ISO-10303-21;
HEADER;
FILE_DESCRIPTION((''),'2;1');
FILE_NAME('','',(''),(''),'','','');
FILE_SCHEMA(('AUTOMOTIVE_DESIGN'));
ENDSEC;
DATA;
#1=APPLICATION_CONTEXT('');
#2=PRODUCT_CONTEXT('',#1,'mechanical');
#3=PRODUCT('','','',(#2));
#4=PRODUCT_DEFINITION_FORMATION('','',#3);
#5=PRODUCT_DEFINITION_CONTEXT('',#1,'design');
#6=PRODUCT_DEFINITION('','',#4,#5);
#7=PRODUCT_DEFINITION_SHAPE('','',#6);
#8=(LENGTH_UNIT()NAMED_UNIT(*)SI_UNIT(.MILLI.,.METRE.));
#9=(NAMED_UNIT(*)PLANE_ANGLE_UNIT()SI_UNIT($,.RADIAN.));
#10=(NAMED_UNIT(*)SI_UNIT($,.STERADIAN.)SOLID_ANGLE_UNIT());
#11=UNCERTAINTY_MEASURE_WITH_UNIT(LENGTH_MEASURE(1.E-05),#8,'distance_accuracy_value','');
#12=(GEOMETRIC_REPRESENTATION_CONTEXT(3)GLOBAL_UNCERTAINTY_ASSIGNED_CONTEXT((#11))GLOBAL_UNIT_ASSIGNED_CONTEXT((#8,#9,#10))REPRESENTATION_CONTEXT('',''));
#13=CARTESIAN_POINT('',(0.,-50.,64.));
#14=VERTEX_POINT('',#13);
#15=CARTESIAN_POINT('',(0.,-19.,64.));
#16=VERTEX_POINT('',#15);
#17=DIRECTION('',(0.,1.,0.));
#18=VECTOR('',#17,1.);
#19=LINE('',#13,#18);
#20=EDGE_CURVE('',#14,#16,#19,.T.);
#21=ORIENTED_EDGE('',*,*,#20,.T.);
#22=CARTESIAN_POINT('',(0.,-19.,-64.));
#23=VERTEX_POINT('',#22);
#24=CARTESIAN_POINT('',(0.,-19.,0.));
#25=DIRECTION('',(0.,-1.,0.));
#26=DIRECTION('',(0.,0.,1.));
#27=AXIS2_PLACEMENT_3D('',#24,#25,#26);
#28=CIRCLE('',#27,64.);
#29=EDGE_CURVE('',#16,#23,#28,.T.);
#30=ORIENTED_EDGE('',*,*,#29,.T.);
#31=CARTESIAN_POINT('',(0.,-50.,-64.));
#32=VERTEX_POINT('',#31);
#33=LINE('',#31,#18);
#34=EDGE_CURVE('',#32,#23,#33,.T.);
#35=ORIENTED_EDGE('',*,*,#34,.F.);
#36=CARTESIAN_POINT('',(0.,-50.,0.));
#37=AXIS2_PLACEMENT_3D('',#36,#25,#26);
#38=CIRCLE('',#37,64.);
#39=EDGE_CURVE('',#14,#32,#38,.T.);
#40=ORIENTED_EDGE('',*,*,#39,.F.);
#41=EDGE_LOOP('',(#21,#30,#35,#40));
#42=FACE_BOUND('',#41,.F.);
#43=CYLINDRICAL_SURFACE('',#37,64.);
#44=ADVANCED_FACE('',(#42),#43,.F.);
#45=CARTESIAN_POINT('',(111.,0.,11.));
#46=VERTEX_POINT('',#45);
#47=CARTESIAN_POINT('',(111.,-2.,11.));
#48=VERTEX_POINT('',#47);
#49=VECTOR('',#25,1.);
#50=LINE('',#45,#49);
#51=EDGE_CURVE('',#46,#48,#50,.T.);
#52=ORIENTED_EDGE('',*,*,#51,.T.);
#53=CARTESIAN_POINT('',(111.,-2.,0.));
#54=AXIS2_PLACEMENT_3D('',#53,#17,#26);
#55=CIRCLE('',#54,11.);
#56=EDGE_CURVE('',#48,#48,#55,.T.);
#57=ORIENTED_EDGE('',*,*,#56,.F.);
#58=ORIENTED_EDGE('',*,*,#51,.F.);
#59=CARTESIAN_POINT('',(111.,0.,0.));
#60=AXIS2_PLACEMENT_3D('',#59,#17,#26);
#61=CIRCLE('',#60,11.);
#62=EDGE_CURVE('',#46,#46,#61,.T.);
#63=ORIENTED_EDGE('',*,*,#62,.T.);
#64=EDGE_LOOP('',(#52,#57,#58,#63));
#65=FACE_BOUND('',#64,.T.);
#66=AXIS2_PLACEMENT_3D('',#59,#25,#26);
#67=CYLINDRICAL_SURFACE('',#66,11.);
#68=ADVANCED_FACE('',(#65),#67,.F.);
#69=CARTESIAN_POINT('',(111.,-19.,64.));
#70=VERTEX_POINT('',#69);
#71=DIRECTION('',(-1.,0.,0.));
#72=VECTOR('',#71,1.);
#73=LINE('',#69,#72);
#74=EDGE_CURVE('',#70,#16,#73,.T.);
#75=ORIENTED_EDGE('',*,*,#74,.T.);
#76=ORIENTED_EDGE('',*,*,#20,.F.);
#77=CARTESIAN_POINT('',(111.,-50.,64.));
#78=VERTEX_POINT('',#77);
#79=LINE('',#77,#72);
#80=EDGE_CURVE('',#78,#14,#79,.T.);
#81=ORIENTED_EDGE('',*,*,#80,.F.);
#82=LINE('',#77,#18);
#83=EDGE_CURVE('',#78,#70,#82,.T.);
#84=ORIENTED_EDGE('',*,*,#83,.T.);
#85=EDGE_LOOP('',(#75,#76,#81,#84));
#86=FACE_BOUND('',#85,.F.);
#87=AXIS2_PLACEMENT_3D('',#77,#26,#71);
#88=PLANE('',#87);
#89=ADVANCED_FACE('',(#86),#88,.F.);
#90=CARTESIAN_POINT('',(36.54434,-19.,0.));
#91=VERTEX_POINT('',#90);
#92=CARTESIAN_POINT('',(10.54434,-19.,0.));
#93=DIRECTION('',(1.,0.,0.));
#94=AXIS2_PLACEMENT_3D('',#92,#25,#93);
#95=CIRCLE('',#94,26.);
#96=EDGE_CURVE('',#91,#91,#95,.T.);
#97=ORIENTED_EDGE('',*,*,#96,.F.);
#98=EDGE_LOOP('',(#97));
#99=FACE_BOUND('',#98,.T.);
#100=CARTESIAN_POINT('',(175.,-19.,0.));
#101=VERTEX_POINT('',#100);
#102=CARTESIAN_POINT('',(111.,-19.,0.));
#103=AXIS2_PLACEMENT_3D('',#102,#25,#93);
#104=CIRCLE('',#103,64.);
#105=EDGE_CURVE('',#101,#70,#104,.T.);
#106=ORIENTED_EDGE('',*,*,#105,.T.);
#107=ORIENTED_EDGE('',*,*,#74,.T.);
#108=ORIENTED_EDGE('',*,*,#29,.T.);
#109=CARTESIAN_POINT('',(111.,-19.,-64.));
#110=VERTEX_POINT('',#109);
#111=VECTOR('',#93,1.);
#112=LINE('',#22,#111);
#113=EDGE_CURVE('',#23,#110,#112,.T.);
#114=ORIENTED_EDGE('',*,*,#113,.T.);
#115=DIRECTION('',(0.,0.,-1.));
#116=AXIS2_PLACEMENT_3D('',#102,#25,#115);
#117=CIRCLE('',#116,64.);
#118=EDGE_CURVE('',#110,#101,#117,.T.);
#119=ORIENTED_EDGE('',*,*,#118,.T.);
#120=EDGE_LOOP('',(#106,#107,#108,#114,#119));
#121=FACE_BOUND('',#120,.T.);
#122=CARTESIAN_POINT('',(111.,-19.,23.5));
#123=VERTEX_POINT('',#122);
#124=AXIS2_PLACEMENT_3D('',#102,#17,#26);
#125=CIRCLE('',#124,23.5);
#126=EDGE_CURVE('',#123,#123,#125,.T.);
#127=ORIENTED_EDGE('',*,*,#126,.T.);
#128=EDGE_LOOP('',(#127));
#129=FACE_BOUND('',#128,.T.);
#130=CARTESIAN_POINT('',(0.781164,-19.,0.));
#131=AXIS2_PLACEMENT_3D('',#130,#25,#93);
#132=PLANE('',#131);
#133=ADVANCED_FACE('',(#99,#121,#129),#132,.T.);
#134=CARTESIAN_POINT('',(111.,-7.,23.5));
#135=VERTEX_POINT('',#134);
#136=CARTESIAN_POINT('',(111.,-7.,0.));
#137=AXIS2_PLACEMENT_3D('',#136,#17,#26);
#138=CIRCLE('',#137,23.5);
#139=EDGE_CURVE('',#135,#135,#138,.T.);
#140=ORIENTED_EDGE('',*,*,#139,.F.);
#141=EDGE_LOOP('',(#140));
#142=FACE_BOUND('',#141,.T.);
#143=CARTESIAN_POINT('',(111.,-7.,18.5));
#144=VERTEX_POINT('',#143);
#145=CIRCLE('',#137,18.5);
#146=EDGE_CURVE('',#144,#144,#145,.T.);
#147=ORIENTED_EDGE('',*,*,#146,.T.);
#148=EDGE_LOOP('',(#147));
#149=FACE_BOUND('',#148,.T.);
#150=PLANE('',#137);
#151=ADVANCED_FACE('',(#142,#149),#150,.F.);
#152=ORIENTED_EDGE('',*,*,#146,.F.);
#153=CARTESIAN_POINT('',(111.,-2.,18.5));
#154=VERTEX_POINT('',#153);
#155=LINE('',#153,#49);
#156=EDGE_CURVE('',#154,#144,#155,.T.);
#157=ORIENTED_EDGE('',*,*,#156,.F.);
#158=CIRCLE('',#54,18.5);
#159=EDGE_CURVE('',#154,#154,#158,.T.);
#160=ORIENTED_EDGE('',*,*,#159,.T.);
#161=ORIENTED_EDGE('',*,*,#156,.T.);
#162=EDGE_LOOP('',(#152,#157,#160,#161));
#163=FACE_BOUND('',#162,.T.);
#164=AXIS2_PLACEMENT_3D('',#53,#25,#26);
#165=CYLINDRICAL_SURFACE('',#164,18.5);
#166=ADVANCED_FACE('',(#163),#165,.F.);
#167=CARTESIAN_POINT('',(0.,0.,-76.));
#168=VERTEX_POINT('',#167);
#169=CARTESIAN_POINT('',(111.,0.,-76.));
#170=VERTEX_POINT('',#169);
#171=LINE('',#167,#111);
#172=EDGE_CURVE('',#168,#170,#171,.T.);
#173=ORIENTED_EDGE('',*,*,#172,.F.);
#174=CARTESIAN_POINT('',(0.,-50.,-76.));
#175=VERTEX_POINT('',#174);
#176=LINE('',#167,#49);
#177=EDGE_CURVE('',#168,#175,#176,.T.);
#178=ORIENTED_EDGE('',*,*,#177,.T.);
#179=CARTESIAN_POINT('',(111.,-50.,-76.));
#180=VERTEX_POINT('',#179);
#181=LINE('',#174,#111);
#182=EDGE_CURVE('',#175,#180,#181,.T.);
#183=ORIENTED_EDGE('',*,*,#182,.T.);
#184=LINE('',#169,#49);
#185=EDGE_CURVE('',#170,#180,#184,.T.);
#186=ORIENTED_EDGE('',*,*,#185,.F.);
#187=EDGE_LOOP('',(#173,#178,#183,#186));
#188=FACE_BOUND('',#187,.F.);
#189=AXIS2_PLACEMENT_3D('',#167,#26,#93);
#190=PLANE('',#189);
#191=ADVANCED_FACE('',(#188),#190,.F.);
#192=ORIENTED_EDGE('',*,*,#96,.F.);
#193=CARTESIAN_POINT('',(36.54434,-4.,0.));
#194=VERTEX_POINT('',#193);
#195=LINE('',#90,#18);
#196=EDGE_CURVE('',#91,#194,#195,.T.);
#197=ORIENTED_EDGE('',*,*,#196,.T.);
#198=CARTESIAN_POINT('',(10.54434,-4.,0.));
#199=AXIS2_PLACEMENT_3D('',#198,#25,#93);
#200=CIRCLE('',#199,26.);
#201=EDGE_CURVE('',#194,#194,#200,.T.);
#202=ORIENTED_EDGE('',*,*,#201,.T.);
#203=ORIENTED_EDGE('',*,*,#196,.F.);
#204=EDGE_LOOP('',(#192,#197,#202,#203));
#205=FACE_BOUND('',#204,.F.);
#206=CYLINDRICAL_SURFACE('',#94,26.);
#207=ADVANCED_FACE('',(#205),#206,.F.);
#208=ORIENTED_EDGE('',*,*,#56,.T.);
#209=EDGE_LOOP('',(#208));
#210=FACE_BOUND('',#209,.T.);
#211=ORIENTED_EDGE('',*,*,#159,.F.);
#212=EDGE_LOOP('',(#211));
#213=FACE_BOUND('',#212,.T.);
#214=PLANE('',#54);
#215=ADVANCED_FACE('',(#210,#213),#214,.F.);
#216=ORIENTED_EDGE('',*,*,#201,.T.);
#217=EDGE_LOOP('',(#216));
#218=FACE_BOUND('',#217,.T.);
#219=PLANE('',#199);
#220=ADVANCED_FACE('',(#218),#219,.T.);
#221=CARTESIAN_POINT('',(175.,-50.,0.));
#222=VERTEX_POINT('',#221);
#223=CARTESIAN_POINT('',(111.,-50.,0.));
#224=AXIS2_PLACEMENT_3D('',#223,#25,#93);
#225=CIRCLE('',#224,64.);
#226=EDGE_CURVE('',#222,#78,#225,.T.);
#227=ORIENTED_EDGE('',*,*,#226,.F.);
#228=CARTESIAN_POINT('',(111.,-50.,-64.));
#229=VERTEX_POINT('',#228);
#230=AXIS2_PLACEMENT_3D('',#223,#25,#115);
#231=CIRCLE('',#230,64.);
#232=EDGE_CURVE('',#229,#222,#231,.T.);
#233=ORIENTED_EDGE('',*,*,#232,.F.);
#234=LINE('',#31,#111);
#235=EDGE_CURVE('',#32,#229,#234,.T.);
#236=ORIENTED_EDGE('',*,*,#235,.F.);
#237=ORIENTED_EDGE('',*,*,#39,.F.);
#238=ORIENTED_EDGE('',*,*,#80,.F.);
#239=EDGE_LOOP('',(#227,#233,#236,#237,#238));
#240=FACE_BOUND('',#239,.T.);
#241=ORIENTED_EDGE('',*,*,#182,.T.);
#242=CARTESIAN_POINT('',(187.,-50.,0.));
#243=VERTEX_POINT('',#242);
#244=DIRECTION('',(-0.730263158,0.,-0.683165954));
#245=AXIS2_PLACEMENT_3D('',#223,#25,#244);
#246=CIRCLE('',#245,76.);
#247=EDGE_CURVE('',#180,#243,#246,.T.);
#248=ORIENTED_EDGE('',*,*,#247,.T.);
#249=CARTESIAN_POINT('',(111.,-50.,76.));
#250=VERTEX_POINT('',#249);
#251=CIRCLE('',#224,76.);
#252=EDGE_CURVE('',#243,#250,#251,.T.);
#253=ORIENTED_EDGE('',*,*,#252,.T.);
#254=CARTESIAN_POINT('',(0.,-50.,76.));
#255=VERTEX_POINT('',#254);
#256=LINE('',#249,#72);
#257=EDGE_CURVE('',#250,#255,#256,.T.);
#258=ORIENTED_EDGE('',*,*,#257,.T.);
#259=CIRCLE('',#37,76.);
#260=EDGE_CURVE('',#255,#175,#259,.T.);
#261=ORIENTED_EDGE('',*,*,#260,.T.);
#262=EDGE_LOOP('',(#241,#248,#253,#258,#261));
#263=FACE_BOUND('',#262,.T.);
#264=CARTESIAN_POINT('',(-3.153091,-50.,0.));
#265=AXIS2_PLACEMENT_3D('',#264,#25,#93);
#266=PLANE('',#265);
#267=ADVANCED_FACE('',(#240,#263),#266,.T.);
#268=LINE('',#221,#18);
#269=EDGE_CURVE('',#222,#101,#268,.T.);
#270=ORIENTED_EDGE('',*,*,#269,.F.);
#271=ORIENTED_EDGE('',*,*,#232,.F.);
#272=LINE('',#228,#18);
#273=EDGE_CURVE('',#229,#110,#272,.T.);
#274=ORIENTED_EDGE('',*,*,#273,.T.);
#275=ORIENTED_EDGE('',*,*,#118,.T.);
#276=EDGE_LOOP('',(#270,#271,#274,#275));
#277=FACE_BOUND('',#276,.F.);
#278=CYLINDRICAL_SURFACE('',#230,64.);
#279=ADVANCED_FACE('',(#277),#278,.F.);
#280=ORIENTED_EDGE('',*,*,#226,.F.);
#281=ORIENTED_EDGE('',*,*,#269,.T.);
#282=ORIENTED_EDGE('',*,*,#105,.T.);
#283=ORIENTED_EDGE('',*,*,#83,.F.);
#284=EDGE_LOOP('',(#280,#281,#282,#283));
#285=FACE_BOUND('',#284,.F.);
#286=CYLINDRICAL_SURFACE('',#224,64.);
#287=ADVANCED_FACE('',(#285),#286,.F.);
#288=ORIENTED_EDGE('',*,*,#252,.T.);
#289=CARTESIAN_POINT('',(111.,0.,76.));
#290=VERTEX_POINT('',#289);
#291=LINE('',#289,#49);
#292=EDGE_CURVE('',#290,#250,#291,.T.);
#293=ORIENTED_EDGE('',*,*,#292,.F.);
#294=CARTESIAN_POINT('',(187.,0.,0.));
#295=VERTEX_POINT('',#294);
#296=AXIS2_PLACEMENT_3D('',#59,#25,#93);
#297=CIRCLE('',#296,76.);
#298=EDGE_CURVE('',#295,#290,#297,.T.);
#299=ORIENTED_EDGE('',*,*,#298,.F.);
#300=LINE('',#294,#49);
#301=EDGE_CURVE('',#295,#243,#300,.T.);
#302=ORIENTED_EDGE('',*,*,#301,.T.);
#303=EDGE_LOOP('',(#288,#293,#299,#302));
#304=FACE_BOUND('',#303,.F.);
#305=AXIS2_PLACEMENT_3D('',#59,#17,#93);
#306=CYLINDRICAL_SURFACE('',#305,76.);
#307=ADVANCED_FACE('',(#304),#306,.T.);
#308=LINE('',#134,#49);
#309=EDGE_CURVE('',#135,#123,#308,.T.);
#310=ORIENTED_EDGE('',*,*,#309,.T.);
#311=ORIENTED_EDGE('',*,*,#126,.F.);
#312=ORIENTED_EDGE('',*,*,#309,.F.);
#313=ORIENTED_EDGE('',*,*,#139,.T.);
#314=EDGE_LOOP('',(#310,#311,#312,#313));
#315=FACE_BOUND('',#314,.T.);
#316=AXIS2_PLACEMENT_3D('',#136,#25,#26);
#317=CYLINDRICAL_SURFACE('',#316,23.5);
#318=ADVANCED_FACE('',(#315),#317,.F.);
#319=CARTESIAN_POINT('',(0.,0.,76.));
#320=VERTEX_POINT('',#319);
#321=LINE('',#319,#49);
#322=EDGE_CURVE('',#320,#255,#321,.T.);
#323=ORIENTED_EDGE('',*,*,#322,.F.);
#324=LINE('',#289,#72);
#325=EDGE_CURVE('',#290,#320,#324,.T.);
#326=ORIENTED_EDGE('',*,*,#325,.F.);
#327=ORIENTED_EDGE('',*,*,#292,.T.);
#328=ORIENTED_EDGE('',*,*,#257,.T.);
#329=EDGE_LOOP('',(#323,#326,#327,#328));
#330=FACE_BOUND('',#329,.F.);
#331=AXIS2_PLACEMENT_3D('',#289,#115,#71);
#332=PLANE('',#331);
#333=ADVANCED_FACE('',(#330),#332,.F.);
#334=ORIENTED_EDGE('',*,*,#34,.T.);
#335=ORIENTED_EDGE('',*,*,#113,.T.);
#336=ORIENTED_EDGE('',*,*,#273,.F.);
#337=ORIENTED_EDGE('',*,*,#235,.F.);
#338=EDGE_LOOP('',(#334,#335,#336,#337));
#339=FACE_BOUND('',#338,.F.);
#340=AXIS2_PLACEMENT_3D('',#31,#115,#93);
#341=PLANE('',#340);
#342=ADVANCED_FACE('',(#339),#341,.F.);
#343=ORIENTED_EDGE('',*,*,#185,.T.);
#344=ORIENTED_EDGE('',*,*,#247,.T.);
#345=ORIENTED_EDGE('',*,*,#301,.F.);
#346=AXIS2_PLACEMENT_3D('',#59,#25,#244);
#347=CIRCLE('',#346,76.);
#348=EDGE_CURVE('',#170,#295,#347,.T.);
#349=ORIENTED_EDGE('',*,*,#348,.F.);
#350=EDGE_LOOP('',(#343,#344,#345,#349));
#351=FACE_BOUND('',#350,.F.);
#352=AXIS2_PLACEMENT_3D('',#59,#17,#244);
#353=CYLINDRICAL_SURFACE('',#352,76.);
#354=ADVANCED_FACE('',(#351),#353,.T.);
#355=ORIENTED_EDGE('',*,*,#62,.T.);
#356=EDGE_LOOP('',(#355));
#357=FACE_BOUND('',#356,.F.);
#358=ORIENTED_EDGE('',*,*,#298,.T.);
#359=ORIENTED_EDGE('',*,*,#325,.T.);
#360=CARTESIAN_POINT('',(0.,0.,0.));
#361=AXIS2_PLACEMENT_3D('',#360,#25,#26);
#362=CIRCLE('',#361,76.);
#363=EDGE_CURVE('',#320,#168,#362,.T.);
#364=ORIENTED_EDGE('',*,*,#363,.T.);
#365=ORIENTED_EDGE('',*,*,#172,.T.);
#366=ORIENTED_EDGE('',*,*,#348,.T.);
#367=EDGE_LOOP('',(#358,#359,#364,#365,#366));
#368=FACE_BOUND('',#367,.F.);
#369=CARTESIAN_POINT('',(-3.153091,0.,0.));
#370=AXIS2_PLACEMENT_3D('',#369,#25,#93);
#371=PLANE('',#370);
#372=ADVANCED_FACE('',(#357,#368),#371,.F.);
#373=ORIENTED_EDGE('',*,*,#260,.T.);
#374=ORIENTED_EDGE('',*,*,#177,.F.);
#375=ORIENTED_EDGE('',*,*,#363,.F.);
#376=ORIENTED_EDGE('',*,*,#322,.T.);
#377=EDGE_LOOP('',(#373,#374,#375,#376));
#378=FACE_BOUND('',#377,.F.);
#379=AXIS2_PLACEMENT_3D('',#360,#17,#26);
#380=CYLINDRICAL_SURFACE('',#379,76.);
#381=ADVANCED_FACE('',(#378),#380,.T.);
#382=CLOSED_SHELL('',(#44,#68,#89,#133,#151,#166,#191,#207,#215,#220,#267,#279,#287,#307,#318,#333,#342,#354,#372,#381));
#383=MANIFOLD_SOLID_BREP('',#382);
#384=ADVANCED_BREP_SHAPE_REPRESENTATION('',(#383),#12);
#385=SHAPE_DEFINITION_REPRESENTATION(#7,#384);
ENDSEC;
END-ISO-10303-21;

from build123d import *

# Parameters (mm, degrees)
F1_DEPTH = 50
F3_DEPTH = 31
F4_R     = 26
F5_DEPTH = 15


with BuildPart() as f1:
    # F0 (on Front) → F1 (new body)
    with BuildSketch(Plane.XZ):
        with BuildLine():
            ThreePointArc((55.5, 51.9206124771), (30.2492433933, 69.7207521053), (0, 76))
            ThreePointArc((0, 76), (-76, 0), (0, -76))
            ThreePointArc((0, -76), (30.2492433933, -69.7207521053), (55.5, -51.9206124771))
            ThreePointArc((55.5, -51.9206124771), (35, 0), (55.5, 51.9206124771))
        make_face()
        with BuildLine():
            Line((111, 76), (0, 76))
            ThreePointArc((0, 76), (30.2492433933, 69.7207521053), (55.5, 51.9206124771))
            ThreePointArc((55.5, 51.9206124771), (80.7507566067, 69.7207521053), (111, 76))
        make_face()
        with BuildLine():
            ThreePointArc((55.5, -51.9206124771), (30.2492433933, -69.7207521053), (0, -76))
            Line((0, -76), (111, -76))
            ThreePointArc((111, -76), (80.7507566067, -69.7207521053), (55.5, -51.9206124771))
        make_face()
        with BuildLine():
            ThreePointArc((111, 76), (80.7507566067, 69.7207521053), (55.5, 51.9206124771))
            ThreePointArc((55.5, 51.9206124771), (70.6894617323, 27.9105714739), (76, 0))
            ThreePointArc((76, 0), (70.6894617323, -27.9105714739), (55.5, -51.9206124771))
            ThreePointArc((55.5, -51.9206124771), (80.7507566067, -69.7207521053), (111, -76))
            ThreePointArc((111, -76), (164.7401153702, -53.7401153702), (187, 0))
            ThreePointArc((187, 0), (164.7401153702, 53.7401153702), (111, 76))
        make_face()
        with BuildLine():
            ThreePointArc((76, 0), (70.6894617323, 27.9105714739), (55.5, 51.9206124771))
            ThreePointArc((55.5, 51.9206124771), (35, 0), (55.5, -51.9206124771))
            ThreePointArc((55.5, -51.9206124771), (70.6894617323, -27.9105714739), (76, 0))
        make_face()
    extrude(amount=F1_DEPTH)

    # F2 (on face) → F3 (cut)
    with BuildSketch(Plane.XZ.offset(50)):
        with BuildLine():
            ThreePointArc((55.5, 31.870833061), (32.0645184285, 55.3883260078), (0, 64))
            ThreePointArc((0, 64), (-64, 0), (0, -64))
            ThreePointArc((0, -64), (32.0645184285, -55.3883260078), (55.5, -31.870833061))
            ThreePointArc((55.5, -31.870833061), (47, 0), (55.5, 31.870833061))
        make_face()
        with BuildLine():
            Line((111, 64), (0, 64))
            ThreePointArc((0, 64), (32.0645184285, 55.3883260078), (55.5, 31.870833061))
            ThreePointArc((55.5, 31.870833061), (78.9354815715, 55.3883260078), (111, 64))
        make_face()
        with BuildLine():
            ThreePointArc((55.5, -31.870833061), (32.0645184285, -55.3883260078), (0, -64))
            Line((0, -64), (111, -64))
            ThreePointArc((111, -64), (78.9354815715, -55.3883260078), (55.5, -31.870833061))
        make_face()
        with BuildLine():
            ThreePointArc((111, 64), (78.9354815715, 55.3883260078), (55.5, 31.870833061))
            ThreePointArc((55.5, 31.870833061), (61.838499335, 16.4924225025), (64, 0))
            ThreePointArc((64, 0), (61.838499335, -16.4924225025), (55.5, -31.870833061))
            ThreePointArc((55.5, -31.870833061), (78.9354815715, -55.3883260078), (111, -64))
            ThreePointArc((111, -64), (156.2548339959, -45.2548339959), (175, 0))
            ThreePointArc((175, 0), (156.2548339959, 45.2548339959), (111, 64))
        make_face()
        with BuildLine():
            ThreePointArc((64, 0), (61.838499335, 16.4924225025), (55.5, 31.870833061))
            ThreePointArc((55.5, 31.870833061), (47, 0), (55.5, -31.870833061))
            ThreePointArc((55.5, -31.870833061), (61.838499335, -16.4924225025), (64, 0))
        make_face()
    extrude(amount=-F3_DEPTH, mode=Mode.SUBTRACT)

    # F4 (on face) → F5 (cut)
    with BuildSketch(Plane.XZ.offset(19)):
        with Locations((10.5443401262, 0)):
            Circle(F4_R)
    extrude(amount=-F5_DEPTH, mode=Mode.SUBTRACT)

    # F7 (on offset) → F8 (revolve, cut)
    with BuildSketch(Plane.YZ.offset(111)):
        Polygon((0, 0), (0, 11), (-2, 11), (-2, 18.5), (-7, 18.5), (-7, 23.5), (-19, 23.5), (-19, 0), align=None)
    revolve(axis=Axis((111, -17.0189570636, 0), (0, 1, 0)), mode=Mode.SUBTRACT)


solid = f1.part
